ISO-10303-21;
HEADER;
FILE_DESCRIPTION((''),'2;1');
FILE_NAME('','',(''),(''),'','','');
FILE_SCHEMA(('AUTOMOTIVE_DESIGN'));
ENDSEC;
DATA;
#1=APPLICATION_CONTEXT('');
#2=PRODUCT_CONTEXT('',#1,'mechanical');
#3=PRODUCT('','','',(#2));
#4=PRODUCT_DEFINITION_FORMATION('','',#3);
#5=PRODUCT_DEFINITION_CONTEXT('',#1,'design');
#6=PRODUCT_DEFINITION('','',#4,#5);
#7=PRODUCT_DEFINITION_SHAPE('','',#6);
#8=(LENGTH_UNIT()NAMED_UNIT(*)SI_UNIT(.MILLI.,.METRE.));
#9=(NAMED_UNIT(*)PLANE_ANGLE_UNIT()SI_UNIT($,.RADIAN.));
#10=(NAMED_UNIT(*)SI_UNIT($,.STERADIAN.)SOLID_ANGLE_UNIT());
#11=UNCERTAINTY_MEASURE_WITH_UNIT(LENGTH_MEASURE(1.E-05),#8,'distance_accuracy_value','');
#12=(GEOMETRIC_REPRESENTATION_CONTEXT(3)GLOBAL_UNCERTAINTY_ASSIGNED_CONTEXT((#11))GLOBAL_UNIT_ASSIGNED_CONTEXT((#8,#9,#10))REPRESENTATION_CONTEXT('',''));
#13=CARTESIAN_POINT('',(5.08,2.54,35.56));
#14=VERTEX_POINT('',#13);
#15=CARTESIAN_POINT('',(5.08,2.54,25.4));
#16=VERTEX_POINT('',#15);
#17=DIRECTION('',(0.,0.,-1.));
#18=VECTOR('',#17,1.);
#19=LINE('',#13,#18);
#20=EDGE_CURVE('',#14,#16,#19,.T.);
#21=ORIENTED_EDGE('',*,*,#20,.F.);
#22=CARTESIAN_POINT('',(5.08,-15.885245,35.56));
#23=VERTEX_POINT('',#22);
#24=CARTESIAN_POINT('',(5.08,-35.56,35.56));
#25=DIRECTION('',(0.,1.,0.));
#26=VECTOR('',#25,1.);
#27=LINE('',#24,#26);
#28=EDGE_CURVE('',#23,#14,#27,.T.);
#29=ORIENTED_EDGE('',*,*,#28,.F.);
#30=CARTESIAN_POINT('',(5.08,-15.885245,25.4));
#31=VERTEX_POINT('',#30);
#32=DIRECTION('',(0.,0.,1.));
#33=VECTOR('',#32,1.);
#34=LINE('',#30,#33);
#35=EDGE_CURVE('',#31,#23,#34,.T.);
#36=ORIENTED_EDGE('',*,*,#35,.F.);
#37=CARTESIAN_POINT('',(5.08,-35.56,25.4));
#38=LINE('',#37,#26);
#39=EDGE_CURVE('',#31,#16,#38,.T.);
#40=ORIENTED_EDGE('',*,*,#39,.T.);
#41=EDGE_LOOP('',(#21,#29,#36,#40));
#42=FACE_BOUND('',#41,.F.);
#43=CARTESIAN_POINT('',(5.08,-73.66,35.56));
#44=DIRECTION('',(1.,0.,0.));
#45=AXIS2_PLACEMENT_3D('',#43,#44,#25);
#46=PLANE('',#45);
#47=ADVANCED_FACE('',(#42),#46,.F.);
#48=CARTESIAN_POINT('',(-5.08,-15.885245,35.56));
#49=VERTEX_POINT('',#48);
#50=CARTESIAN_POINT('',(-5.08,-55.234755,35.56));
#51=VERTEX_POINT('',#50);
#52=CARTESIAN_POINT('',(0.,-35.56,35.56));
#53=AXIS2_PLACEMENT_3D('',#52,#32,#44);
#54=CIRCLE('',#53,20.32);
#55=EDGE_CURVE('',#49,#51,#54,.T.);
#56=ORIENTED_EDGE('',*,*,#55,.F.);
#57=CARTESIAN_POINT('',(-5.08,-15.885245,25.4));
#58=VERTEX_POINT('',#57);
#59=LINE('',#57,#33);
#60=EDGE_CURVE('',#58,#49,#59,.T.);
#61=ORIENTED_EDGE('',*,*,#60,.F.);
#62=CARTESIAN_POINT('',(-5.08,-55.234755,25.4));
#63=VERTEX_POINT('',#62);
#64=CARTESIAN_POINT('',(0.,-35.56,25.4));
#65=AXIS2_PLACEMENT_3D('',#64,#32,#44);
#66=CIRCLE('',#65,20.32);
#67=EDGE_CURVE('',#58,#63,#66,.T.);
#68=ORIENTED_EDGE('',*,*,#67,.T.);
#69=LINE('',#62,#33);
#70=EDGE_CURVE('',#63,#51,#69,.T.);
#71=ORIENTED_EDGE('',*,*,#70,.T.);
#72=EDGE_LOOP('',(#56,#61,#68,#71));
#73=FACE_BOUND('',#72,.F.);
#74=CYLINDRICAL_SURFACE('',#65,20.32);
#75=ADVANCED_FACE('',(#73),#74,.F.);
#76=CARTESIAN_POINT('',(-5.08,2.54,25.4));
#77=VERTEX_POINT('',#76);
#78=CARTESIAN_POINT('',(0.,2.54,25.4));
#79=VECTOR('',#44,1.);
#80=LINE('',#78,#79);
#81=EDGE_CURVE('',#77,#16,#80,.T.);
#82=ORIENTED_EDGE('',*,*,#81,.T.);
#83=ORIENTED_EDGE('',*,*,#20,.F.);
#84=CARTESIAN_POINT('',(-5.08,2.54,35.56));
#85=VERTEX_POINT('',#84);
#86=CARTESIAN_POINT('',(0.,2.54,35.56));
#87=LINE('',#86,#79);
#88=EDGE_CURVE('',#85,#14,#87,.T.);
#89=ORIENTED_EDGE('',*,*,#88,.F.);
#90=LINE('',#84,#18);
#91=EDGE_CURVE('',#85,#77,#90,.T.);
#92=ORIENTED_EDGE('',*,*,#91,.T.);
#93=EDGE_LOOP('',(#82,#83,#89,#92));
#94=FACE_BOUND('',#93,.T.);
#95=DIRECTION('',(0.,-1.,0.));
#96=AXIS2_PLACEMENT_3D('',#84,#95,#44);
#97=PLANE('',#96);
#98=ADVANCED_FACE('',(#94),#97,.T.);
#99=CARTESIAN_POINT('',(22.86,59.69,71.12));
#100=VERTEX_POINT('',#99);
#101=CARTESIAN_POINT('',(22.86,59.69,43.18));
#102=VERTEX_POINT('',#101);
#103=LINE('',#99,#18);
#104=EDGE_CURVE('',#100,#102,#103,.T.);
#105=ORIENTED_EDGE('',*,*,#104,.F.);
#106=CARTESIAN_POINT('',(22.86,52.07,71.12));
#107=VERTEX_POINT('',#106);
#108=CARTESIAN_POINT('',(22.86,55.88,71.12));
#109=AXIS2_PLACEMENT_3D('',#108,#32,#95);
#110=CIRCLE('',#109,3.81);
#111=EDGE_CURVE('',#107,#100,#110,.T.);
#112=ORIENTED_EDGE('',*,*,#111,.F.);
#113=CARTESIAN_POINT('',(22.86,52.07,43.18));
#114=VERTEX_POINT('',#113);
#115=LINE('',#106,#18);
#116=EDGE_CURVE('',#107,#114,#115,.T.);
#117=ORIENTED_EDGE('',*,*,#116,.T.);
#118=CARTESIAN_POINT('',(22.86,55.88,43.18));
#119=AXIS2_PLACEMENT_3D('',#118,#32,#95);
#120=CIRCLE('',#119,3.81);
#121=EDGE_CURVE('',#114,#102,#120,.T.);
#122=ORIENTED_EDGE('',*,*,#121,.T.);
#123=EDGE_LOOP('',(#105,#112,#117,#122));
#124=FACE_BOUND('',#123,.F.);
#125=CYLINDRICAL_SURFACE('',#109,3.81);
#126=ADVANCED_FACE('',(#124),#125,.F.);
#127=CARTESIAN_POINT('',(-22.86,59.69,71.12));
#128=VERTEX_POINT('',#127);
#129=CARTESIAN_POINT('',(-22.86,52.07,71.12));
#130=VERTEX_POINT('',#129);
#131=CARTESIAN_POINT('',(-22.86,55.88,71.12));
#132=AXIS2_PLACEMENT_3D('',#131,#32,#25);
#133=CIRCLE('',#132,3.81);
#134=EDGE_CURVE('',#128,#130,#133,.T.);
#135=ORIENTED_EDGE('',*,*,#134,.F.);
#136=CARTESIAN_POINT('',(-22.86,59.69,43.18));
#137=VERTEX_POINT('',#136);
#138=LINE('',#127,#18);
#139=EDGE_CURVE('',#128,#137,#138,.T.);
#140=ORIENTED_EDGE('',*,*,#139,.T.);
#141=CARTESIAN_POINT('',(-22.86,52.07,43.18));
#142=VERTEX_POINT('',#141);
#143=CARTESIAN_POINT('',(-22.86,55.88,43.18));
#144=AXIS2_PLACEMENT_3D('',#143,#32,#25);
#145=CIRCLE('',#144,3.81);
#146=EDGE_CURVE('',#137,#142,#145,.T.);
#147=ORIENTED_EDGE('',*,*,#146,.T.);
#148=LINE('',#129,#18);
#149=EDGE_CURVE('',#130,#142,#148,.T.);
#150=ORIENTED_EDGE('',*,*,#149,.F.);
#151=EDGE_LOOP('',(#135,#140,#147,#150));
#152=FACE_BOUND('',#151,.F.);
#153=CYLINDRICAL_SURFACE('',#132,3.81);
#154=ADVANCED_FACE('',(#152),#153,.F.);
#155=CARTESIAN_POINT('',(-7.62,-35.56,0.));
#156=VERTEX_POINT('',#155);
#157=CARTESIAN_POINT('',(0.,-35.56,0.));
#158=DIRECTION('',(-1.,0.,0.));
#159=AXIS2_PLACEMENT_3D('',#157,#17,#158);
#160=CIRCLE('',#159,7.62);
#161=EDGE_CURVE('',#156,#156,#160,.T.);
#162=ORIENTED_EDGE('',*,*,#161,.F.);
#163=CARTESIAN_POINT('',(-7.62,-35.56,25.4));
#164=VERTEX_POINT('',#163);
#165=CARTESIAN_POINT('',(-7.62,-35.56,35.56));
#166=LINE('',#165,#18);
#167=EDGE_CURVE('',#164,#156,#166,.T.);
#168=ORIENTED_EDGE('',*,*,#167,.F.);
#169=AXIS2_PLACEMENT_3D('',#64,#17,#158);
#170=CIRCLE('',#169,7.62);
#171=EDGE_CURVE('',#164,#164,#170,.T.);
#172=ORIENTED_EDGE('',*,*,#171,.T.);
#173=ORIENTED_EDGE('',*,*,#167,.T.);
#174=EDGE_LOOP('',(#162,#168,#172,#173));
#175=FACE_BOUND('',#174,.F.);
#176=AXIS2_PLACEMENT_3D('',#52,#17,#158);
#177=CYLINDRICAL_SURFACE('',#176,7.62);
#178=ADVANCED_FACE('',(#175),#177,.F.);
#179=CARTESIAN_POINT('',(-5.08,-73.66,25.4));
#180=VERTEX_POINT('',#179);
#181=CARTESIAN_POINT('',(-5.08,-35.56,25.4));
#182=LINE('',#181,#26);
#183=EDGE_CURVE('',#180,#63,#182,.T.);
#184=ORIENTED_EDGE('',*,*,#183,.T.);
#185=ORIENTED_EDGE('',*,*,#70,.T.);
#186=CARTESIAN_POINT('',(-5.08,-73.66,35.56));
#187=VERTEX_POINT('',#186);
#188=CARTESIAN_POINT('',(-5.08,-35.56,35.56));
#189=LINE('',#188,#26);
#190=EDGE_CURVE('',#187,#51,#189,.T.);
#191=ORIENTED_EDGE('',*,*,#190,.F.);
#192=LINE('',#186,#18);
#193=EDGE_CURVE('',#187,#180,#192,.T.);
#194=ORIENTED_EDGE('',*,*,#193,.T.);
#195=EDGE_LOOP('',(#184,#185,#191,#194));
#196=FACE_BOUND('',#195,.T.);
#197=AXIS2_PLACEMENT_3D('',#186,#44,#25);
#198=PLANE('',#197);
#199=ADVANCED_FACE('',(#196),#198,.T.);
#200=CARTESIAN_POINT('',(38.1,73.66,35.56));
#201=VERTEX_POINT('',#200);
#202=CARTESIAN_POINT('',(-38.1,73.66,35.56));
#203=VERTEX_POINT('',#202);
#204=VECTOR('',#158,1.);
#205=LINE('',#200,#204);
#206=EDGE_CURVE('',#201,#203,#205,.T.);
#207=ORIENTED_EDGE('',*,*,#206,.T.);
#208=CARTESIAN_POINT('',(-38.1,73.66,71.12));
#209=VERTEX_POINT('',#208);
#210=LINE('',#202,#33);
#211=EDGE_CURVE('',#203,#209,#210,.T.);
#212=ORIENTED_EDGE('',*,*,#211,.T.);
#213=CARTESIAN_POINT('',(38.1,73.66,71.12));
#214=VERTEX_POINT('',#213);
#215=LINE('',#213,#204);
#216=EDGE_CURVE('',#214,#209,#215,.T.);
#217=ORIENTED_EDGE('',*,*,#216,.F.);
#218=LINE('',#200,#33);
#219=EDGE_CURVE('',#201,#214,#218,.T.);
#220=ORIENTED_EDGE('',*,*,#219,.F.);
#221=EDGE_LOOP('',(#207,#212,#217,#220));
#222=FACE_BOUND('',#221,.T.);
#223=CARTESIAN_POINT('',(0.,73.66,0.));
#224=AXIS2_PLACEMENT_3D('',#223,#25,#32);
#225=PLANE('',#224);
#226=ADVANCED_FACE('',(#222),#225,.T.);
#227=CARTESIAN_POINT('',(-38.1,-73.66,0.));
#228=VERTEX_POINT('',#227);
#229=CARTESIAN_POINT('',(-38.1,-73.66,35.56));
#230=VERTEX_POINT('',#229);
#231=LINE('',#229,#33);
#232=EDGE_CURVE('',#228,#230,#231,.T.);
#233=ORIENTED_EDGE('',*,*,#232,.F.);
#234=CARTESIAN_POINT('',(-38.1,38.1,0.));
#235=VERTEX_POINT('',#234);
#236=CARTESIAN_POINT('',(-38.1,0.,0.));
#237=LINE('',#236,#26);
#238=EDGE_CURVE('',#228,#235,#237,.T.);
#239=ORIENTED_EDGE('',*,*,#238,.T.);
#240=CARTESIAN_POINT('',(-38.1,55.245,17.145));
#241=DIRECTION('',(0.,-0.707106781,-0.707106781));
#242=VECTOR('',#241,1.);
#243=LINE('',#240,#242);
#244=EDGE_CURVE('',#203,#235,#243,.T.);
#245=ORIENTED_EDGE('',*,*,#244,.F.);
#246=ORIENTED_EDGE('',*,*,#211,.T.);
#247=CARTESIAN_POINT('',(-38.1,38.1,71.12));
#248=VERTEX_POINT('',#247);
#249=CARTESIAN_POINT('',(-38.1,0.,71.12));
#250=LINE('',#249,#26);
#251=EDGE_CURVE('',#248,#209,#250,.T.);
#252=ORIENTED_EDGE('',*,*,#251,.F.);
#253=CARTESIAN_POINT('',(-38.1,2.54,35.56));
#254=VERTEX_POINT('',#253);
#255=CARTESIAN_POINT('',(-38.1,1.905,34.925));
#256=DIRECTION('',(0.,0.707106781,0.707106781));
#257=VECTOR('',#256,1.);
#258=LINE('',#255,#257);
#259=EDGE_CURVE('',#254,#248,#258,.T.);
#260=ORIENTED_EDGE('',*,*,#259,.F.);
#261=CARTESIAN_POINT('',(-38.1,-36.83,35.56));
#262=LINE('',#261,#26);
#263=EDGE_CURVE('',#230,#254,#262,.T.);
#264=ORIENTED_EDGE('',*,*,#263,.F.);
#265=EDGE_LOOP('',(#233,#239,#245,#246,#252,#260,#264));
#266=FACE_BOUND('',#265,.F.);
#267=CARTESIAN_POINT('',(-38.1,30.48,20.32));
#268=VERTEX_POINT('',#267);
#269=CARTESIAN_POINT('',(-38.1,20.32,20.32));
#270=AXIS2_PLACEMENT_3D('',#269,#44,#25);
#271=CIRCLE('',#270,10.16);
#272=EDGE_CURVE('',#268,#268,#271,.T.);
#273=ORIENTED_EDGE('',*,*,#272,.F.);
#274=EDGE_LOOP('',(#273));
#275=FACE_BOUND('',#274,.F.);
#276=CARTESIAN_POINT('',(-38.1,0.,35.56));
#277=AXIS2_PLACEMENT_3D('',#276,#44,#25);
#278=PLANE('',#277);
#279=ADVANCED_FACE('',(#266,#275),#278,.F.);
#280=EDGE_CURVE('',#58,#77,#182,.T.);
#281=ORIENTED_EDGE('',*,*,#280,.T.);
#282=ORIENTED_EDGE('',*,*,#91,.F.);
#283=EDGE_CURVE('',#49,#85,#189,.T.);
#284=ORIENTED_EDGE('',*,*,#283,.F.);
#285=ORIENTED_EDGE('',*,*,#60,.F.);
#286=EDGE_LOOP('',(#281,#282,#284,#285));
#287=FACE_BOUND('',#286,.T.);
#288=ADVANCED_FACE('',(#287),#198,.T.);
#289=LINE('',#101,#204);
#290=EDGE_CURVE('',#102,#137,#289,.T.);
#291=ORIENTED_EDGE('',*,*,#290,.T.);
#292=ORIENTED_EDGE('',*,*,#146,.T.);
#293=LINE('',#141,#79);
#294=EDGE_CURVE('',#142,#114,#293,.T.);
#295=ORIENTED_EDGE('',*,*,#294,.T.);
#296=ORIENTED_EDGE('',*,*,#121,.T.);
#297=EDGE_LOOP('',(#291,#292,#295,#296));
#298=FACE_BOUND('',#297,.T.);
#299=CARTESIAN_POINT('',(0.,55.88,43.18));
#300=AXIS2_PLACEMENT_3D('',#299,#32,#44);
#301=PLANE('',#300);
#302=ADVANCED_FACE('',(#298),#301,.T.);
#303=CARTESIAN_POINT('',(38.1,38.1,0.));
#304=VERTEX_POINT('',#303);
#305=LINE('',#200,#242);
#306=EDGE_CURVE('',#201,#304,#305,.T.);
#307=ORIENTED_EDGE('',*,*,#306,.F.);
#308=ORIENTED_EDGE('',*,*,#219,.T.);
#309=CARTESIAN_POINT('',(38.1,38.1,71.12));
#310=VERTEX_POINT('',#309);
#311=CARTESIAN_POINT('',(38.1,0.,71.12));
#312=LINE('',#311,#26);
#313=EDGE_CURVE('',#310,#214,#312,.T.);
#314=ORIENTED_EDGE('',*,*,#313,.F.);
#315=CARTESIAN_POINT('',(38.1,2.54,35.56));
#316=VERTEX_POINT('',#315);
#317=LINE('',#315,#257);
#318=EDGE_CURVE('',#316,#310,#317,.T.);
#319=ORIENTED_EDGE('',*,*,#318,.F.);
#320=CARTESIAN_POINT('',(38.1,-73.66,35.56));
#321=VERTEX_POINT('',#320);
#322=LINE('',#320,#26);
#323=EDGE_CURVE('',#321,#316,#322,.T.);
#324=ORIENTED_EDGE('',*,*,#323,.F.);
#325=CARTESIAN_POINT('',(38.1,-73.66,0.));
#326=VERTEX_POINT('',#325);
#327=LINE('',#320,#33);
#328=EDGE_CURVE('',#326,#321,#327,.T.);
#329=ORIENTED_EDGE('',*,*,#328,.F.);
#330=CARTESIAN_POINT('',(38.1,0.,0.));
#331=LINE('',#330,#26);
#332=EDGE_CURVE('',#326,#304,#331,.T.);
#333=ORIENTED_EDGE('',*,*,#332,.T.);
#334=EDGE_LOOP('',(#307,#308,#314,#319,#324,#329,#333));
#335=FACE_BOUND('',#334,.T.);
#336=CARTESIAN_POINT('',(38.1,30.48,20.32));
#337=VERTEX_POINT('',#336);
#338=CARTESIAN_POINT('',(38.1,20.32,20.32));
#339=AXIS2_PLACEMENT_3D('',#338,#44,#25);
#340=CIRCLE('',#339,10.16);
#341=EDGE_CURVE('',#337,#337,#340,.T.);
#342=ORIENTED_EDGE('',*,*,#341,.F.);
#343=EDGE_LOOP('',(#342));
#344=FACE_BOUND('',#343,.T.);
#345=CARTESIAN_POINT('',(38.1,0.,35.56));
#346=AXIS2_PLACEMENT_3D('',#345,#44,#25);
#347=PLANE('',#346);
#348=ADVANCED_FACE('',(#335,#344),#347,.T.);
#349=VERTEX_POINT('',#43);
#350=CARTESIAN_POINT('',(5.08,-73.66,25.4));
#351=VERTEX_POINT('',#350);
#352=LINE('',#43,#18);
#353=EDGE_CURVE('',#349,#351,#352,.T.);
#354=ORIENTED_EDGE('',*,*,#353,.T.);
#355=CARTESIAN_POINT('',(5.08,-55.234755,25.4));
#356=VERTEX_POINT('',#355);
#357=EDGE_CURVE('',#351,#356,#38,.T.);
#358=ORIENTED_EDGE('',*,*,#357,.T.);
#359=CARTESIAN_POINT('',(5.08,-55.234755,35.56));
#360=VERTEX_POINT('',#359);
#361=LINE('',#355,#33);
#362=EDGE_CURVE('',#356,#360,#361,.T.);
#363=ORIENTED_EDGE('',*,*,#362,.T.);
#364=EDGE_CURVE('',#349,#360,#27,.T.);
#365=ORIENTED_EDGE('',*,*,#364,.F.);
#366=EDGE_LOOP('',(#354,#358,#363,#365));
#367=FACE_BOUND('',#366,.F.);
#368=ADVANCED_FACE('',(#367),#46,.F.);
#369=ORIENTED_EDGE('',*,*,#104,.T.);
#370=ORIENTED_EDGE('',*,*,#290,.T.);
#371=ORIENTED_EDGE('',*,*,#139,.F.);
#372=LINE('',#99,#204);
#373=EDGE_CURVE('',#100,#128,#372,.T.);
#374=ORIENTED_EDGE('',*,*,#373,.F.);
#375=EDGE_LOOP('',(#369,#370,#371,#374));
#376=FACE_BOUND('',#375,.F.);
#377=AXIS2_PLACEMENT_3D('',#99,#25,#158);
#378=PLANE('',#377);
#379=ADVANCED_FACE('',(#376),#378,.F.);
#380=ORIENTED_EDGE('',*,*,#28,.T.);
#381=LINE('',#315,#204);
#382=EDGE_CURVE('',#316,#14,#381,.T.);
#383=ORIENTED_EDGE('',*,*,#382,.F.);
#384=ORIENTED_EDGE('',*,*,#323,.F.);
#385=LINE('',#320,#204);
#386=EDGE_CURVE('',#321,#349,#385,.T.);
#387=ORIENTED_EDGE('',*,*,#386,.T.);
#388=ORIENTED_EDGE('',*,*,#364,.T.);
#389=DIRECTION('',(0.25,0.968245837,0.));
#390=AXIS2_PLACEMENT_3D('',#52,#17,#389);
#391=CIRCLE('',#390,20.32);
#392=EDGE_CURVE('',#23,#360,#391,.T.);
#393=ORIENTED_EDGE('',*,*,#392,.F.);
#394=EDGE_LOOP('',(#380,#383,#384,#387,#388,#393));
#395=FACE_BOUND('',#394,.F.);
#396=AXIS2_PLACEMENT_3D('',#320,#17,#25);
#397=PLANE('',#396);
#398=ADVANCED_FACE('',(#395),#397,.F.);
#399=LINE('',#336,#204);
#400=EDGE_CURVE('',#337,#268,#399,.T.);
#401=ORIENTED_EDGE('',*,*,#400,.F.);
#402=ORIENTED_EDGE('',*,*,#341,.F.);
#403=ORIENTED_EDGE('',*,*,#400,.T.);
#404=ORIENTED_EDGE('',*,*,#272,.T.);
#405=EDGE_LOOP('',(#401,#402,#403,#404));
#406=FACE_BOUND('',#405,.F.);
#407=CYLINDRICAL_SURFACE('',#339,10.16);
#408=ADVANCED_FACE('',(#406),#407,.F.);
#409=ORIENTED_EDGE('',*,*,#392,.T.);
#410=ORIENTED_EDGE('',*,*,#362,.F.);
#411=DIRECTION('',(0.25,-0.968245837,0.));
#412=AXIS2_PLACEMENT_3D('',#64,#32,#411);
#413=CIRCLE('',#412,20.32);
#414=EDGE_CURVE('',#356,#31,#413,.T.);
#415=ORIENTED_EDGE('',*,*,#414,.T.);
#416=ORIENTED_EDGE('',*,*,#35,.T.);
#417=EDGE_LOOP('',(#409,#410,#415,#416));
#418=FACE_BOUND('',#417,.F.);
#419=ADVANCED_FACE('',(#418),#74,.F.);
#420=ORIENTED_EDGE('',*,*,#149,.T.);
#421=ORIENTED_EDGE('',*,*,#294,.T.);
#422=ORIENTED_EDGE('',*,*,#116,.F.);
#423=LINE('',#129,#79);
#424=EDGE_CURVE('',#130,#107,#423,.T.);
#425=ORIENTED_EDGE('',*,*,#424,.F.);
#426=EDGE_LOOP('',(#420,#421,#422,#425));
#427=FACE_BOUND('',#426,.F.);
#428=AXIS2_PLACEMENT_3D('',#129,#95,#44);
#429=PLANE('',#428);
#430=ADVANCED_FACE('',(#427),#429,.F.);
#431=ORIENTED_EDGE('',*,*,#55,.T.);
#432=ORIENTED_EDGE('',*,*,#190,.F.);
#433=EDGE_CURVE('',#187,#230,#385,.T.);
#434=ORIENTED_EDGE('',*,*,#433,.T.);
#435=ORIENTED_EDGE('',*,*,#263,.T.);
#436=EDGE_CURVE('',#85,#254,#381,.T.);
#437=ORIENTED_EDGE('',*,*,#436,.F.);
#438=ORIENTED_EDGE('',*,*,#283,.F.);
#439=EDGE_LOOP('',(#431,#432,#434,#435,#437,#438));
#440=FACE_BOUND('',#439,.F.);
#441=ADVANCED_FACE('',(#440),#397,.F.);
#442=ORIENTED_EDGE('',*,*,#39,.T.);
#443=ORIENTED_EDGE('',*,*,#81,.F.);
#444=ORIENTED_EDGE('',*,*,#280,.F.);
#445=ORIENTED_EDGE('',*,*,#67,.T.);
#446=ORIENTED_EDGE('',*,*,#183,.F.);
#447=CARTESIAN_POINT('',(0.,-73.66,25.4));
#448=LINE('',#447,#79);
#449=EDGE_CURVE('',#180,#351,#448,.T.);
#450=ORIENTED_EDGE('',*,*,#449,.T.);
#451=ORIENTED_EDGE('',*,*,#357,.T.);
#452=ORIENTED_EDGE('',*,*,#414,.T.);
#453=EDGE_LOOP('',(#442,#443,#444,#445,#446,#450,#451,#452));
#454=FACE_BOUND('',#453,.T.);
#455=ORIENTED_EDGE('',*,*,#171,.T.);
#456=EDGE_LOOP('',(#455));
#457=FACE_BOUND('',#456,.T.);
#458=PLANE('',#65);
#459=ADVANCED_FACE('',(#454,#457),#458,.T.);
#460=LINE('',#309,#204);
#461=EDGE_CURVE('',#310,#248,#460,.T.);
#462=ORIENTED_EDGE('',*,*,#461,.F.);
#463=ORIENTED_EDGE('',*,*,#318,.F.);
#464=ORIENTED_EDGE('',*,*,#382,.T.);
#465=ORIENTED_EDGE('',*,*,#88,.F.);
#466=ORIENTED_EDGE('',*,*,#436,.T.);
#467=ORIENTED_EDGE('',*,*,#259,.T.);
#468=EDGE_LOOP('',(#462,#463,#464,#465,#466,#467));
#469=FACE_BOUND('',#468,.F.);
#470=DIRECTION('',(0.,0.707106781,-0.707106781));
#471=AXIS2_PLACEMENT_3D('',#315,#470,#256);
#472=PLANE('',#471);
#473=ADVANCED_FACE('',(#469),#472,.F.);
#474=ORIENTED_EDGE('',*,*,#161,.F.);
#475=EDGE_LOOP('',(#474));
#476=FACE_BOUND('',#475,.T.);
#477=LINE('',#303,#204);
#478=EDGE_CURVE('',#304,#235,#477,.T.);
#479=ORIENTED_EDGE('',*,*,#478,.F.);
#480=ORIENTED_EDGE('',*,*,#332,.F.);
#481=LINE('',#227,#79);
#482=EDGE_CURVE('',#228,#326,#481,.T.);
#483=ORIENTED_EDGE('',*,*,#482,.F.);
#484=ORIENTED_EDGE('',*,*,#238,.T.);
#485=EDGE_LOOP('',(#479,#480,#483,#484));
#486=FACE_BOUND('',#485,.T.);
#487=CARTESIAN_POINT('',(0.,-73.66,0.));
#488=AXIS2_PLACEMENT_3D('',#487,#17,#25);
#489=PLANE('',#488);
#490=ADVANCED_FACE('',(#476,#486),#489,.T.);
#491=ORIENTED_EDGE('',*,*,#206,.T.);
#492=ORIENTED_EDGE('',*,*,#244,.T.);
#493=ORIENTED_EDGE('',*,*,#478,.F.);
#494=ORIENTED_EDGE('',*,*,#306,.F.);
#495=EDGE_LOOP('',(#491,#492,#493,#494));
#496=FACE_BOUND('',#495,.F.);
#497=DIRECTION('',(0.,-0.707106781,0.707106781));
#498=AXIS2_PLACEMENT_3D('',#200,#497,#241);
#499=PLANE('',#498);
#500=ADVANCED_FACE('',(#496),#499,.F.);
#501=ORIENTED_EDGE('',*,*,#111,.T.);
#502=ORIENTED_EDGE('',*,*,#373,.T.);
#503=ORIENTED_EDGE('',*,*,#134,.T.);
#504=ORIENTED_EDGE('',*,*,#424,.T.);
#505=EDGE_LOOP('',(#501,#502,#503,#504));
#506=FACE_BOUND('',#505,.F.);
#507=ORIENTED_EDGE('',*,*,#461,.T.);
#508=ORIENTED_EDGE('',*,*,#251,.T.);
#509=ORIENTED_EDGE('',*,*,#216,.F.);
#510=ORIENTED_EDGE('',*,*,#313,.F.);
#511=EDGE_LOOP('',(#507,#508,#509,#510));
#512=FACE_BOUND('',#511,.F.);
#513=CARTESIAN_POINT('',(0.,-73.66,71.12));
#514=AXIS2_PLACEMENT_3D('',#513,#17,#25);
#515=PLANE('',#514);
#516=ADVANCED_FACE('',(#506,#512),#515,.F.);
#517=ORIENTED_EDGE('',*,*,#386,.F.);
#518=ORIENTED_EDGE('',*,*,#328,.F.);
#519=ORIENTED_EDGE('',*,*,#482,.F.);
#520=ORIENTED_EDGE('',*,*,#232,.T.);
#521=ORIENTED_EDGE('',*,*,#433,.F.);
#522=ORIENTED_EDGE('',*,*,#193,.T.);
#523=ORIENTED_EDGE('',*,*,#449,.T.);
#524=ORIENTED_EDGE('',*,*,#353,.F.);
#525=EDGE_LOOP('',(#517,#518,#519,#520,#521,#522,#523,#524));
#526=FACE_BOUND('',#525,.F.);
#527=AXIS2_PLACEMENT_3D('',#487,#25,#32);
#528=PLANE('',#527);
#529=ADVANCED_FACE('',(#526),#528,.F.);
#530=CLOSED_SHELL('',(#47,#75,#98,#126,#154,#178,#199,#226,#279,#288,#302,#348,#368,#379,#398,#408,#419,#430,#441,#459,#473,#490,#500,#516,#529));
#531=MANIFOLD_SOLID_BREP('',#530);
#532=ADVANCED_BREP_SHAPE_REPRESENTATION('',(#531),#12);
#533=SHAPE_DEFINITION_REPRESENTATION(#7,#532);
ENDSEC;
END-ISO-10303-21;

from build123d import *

# Parameters (mm, degrees)
F0_W           = 147.32
F0_H           = 71.12
F1_DEPTH       = 38.1
F3_DEPTH       = 76.201
F4_R           = 10.16
F5_DEPTH       = 76.201
F6_W           = 10.16
F6_H           = 76.2
F7_DEPTH       = 10.16
F8_D           = 15.24
F8_CBORE_D     = 40.64
F8_CBORE_DEPTH = 10.16
F10_DEPTH      = 27.94


with BuildPart() as f1:
    # F0 (on Right) → F1 (new body, symmetric)
    with BuildSketch(Plane.YZ):
        with Locations((0, 35.56)):
            Rectangle(F0_W, F0_H)
    extrude(amount=F1_DEPTH, both=True)

    # F2 (on face) → F3 (cut, through all)
    with BuildSketch(Plane.YZ.offset(38.1)):
        Polygon((2.54, 35.56), (38.1, 71.12), (-73.66, 71.12), (-73.66, 35.56), align=None)
        Polygon((73.66, 35.56), (38.1, 0), (73.66, 0), align=None)
    extrude(amount=-F3_DEPTH, mode=Mode.SUBTRACT)

    # F4 (on face) → F5 (cut, through all)
    with BuildSketch(Plane.YZ.offset(38.1)):
        with Locations((20.32, 20.32)):
            Circle(F4_R)
    extrude(amount=-F5_DEPTH, mode=Mode.SUBTRACT)

    # F6 (on face) → F7 (cut)
    with BuildSketch(Plane.XY.offset(35.56)):
        with Locations((0, -35.56)):
            Rectangle(F6_W, F6_H)
    extrude(amount=-F7_DEPTH, mode=Mode.SUBTRACT)

    # F8 (through all)
    with Locations(Plane.XY.offset(35.56)):
        with Locations((0, -35.56)):
            CounterBoreHole(F8_D / 2, F8_CBORE_D / 2, F8_CBORE_DEPTH)

    # F9 (on face) → F10 (cut)
    with BuildSketch(Plane.XY.offset(71.12)):
        with BuildLine():
            Line((22.86, 59.69), (-22.86, 59.69))
            ThreePointArc((-22.86, 59.69), (-26.67, 55.88), (-22.86, 52.07))
            Line((-22.86, 52.07), (22.86, 52.07))
            ThreePointArc((22.86, 52.07), (26.67, 55.88), (22.86, 59.69))
        make_face()
    extrude(amount=-F10_DEPTH, mode=Mode.SUBTRACT)


solid = f1.part
